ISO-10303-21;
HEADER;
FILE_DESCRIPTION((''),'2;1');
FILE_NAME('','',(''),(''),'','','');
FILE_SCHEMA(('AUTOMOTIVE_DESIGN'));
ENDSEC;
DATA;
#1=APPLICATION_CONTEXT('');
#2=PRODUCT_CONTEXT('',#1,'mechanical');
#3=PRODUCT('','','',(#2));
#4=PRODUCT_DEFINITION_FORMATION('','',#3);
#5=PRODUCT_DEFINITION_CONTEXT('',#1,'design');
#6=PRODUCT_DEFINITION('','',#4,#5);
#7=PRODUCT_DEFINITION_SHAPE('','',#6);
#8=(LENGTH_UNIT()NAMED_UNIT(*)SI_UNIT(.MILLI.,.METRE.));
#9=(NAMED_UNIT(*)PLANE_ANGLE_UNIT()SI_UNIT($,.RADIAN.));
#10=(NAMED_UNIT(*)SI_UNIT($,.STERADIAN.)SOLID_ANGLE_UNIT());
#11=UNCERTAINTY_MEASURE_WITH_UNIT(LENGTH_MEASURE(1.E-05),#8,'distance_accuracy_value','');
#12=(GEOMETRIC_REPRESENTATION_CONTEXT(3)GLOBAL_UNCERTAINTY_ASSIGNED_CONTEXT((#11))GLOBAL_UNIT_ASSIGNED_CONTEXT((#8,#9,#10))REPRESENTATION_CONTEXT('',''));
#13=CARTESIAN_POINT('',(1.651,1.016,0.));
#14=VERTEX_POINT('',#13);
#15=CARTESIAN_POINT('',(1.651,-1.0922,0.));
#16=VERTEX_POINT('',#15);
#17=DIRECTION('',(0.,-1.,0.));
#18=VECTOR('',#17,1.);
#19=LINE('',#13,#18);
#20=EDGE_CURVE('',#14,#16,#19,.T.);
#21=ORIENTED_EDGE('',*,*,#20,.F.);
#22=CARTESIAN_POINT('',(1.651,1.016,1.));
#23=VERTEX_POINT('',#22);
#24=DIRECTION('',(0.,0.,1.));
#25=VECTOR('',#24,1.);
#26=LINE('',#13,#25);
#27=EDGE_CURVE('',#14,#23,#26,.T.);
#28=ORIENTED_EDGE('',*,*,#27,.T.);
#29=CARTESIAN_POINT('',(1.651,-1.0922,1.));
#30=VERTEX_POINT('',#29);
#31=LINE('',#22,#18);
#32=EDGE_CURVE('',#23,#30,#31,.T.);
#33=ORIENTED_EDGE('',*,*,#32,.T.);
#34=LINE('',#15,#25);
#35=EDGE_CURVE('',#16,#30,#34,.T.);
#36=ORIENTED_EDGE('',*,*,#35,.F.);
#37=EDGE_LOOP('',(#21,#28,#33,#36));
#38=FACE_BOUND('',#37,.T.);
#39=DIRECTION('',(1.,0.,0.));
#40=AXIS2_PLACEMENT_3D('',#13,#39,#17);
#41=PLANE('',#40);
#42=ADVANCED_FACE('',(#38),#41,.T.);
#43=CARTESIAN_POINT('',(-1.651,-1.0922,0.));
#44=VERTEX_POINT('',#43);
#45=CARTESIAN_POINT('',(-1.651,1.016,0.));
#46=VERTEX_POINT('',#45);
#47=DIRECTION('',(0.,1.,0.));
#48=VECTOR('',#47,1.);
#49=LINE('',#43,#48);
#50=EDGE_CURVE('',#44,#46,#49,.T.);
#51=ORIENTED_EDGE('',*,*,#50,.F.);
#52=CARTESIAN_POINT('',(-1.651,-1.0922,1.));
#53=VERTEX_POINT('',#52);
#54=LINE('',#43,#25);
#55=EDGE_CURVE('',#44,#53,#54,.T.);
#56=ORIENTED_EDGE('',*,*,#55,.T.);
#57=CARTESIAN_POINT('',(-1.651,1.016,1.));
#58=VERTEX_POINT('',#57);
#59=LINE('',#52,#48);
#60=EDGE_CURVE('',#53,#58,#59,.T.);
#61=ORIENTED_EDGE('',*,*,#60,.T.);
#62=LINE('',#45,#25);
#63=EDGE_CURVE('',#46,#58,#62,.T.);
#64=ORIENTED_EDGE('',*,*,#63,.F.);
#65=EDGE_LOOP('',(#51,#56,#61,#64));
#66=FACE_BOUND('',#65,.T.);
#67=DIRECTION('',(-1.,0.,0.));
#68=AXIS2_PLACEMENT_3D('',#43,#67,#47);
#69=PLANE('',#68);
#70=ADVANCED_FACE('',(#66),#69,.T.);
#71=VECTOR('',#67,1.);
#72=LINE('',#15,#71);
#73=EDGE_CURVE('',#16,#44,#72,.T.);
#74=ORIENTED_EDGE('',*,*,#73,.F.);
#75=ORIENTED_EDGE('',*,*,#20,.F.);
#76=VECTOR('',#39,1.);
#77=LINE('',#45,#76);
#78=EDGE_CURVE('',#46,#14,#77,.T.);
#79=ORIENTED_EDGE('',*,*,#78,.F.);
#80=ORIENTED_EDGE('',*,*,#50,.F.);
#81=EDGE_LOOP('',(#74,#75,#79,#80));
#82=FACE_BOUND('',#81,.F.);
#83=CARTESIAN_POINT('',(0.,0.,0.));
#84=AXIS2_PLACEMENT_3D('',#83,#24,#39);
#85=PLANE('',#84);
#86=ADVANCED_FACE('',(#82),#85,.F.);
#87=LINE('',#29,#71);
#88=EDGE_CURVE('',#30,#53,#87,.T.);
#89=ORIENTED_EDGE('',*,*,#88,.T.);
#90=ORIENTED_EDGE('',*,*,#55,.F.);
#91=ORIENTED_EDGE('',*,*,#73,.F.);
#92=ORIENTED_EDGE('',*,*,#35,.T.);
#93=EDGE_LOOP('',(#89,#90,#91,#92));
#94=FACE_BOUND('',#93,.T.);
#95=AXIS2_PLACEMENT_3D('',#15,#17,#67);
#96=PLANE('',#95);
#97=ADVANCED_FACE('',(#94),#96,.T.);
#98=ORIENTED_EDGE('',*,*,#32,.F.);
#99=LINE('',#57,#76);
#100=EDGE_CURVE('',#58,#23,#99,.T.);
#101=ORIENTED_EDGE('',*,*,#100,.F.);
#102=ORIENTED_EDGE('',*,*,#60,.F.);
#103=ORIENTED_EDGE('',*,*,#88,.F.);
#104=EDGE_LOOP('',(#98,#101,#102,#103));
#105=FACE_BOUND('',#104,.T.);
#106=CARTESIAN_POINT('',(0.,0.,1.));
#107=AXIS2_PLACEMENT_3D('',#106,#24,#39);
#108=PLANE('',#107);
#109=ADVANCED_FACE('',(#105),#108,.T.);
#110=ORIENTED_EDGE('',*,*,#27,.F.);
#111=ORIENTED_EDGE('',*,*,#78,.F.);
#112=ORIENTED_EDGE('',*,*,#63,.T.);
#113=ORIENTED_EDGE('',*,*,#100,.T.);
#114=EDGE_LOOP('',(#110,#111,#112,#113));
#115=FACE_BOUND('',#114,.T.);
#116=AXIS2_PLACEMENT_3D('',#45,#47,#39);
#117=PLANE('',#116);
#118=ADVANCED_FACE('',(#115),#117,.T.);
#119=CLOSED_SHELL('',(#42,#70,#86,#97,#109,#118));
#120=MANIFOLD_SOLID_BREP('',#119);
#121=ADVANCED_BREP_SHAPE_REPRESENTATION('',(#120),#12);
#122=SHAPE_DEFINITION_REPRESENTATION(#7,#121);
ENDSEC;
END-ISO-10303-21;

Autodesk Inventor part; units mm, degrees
ref_plane "YZ Plane" through (0, 0, 0) normal (1, 0, 0) x (0, 1, 0)
ref_plane "XZ Plane" through (0, 0, 0) normal (0, 1, 0) x (-1, 0, 0)
ref_plane "XY Plane" through (0, 0, 0) normal (0, 0, 1) x (1, 0, 0)
sketch "SJ, RST_SJ_117" plane through (0, 0, 0) normal (0, 0, 1) x (1, 0, 0)
  line L0 (-1.651, 1.016) -> (1.651, 1.016)
  line L1 (1.651, 1.016) -> (1.651, -1.0922)
  line L2 (1.651, -1.0922) -> (-1.651, -1.0922)
  line L3 (-1.651, -1.0922) -> (-1.651, 1.016)
extrude "Extrusion1" add sketch "SJ, RST_SJ_117" along normal blind 1
properties part number "RST_SJ"
